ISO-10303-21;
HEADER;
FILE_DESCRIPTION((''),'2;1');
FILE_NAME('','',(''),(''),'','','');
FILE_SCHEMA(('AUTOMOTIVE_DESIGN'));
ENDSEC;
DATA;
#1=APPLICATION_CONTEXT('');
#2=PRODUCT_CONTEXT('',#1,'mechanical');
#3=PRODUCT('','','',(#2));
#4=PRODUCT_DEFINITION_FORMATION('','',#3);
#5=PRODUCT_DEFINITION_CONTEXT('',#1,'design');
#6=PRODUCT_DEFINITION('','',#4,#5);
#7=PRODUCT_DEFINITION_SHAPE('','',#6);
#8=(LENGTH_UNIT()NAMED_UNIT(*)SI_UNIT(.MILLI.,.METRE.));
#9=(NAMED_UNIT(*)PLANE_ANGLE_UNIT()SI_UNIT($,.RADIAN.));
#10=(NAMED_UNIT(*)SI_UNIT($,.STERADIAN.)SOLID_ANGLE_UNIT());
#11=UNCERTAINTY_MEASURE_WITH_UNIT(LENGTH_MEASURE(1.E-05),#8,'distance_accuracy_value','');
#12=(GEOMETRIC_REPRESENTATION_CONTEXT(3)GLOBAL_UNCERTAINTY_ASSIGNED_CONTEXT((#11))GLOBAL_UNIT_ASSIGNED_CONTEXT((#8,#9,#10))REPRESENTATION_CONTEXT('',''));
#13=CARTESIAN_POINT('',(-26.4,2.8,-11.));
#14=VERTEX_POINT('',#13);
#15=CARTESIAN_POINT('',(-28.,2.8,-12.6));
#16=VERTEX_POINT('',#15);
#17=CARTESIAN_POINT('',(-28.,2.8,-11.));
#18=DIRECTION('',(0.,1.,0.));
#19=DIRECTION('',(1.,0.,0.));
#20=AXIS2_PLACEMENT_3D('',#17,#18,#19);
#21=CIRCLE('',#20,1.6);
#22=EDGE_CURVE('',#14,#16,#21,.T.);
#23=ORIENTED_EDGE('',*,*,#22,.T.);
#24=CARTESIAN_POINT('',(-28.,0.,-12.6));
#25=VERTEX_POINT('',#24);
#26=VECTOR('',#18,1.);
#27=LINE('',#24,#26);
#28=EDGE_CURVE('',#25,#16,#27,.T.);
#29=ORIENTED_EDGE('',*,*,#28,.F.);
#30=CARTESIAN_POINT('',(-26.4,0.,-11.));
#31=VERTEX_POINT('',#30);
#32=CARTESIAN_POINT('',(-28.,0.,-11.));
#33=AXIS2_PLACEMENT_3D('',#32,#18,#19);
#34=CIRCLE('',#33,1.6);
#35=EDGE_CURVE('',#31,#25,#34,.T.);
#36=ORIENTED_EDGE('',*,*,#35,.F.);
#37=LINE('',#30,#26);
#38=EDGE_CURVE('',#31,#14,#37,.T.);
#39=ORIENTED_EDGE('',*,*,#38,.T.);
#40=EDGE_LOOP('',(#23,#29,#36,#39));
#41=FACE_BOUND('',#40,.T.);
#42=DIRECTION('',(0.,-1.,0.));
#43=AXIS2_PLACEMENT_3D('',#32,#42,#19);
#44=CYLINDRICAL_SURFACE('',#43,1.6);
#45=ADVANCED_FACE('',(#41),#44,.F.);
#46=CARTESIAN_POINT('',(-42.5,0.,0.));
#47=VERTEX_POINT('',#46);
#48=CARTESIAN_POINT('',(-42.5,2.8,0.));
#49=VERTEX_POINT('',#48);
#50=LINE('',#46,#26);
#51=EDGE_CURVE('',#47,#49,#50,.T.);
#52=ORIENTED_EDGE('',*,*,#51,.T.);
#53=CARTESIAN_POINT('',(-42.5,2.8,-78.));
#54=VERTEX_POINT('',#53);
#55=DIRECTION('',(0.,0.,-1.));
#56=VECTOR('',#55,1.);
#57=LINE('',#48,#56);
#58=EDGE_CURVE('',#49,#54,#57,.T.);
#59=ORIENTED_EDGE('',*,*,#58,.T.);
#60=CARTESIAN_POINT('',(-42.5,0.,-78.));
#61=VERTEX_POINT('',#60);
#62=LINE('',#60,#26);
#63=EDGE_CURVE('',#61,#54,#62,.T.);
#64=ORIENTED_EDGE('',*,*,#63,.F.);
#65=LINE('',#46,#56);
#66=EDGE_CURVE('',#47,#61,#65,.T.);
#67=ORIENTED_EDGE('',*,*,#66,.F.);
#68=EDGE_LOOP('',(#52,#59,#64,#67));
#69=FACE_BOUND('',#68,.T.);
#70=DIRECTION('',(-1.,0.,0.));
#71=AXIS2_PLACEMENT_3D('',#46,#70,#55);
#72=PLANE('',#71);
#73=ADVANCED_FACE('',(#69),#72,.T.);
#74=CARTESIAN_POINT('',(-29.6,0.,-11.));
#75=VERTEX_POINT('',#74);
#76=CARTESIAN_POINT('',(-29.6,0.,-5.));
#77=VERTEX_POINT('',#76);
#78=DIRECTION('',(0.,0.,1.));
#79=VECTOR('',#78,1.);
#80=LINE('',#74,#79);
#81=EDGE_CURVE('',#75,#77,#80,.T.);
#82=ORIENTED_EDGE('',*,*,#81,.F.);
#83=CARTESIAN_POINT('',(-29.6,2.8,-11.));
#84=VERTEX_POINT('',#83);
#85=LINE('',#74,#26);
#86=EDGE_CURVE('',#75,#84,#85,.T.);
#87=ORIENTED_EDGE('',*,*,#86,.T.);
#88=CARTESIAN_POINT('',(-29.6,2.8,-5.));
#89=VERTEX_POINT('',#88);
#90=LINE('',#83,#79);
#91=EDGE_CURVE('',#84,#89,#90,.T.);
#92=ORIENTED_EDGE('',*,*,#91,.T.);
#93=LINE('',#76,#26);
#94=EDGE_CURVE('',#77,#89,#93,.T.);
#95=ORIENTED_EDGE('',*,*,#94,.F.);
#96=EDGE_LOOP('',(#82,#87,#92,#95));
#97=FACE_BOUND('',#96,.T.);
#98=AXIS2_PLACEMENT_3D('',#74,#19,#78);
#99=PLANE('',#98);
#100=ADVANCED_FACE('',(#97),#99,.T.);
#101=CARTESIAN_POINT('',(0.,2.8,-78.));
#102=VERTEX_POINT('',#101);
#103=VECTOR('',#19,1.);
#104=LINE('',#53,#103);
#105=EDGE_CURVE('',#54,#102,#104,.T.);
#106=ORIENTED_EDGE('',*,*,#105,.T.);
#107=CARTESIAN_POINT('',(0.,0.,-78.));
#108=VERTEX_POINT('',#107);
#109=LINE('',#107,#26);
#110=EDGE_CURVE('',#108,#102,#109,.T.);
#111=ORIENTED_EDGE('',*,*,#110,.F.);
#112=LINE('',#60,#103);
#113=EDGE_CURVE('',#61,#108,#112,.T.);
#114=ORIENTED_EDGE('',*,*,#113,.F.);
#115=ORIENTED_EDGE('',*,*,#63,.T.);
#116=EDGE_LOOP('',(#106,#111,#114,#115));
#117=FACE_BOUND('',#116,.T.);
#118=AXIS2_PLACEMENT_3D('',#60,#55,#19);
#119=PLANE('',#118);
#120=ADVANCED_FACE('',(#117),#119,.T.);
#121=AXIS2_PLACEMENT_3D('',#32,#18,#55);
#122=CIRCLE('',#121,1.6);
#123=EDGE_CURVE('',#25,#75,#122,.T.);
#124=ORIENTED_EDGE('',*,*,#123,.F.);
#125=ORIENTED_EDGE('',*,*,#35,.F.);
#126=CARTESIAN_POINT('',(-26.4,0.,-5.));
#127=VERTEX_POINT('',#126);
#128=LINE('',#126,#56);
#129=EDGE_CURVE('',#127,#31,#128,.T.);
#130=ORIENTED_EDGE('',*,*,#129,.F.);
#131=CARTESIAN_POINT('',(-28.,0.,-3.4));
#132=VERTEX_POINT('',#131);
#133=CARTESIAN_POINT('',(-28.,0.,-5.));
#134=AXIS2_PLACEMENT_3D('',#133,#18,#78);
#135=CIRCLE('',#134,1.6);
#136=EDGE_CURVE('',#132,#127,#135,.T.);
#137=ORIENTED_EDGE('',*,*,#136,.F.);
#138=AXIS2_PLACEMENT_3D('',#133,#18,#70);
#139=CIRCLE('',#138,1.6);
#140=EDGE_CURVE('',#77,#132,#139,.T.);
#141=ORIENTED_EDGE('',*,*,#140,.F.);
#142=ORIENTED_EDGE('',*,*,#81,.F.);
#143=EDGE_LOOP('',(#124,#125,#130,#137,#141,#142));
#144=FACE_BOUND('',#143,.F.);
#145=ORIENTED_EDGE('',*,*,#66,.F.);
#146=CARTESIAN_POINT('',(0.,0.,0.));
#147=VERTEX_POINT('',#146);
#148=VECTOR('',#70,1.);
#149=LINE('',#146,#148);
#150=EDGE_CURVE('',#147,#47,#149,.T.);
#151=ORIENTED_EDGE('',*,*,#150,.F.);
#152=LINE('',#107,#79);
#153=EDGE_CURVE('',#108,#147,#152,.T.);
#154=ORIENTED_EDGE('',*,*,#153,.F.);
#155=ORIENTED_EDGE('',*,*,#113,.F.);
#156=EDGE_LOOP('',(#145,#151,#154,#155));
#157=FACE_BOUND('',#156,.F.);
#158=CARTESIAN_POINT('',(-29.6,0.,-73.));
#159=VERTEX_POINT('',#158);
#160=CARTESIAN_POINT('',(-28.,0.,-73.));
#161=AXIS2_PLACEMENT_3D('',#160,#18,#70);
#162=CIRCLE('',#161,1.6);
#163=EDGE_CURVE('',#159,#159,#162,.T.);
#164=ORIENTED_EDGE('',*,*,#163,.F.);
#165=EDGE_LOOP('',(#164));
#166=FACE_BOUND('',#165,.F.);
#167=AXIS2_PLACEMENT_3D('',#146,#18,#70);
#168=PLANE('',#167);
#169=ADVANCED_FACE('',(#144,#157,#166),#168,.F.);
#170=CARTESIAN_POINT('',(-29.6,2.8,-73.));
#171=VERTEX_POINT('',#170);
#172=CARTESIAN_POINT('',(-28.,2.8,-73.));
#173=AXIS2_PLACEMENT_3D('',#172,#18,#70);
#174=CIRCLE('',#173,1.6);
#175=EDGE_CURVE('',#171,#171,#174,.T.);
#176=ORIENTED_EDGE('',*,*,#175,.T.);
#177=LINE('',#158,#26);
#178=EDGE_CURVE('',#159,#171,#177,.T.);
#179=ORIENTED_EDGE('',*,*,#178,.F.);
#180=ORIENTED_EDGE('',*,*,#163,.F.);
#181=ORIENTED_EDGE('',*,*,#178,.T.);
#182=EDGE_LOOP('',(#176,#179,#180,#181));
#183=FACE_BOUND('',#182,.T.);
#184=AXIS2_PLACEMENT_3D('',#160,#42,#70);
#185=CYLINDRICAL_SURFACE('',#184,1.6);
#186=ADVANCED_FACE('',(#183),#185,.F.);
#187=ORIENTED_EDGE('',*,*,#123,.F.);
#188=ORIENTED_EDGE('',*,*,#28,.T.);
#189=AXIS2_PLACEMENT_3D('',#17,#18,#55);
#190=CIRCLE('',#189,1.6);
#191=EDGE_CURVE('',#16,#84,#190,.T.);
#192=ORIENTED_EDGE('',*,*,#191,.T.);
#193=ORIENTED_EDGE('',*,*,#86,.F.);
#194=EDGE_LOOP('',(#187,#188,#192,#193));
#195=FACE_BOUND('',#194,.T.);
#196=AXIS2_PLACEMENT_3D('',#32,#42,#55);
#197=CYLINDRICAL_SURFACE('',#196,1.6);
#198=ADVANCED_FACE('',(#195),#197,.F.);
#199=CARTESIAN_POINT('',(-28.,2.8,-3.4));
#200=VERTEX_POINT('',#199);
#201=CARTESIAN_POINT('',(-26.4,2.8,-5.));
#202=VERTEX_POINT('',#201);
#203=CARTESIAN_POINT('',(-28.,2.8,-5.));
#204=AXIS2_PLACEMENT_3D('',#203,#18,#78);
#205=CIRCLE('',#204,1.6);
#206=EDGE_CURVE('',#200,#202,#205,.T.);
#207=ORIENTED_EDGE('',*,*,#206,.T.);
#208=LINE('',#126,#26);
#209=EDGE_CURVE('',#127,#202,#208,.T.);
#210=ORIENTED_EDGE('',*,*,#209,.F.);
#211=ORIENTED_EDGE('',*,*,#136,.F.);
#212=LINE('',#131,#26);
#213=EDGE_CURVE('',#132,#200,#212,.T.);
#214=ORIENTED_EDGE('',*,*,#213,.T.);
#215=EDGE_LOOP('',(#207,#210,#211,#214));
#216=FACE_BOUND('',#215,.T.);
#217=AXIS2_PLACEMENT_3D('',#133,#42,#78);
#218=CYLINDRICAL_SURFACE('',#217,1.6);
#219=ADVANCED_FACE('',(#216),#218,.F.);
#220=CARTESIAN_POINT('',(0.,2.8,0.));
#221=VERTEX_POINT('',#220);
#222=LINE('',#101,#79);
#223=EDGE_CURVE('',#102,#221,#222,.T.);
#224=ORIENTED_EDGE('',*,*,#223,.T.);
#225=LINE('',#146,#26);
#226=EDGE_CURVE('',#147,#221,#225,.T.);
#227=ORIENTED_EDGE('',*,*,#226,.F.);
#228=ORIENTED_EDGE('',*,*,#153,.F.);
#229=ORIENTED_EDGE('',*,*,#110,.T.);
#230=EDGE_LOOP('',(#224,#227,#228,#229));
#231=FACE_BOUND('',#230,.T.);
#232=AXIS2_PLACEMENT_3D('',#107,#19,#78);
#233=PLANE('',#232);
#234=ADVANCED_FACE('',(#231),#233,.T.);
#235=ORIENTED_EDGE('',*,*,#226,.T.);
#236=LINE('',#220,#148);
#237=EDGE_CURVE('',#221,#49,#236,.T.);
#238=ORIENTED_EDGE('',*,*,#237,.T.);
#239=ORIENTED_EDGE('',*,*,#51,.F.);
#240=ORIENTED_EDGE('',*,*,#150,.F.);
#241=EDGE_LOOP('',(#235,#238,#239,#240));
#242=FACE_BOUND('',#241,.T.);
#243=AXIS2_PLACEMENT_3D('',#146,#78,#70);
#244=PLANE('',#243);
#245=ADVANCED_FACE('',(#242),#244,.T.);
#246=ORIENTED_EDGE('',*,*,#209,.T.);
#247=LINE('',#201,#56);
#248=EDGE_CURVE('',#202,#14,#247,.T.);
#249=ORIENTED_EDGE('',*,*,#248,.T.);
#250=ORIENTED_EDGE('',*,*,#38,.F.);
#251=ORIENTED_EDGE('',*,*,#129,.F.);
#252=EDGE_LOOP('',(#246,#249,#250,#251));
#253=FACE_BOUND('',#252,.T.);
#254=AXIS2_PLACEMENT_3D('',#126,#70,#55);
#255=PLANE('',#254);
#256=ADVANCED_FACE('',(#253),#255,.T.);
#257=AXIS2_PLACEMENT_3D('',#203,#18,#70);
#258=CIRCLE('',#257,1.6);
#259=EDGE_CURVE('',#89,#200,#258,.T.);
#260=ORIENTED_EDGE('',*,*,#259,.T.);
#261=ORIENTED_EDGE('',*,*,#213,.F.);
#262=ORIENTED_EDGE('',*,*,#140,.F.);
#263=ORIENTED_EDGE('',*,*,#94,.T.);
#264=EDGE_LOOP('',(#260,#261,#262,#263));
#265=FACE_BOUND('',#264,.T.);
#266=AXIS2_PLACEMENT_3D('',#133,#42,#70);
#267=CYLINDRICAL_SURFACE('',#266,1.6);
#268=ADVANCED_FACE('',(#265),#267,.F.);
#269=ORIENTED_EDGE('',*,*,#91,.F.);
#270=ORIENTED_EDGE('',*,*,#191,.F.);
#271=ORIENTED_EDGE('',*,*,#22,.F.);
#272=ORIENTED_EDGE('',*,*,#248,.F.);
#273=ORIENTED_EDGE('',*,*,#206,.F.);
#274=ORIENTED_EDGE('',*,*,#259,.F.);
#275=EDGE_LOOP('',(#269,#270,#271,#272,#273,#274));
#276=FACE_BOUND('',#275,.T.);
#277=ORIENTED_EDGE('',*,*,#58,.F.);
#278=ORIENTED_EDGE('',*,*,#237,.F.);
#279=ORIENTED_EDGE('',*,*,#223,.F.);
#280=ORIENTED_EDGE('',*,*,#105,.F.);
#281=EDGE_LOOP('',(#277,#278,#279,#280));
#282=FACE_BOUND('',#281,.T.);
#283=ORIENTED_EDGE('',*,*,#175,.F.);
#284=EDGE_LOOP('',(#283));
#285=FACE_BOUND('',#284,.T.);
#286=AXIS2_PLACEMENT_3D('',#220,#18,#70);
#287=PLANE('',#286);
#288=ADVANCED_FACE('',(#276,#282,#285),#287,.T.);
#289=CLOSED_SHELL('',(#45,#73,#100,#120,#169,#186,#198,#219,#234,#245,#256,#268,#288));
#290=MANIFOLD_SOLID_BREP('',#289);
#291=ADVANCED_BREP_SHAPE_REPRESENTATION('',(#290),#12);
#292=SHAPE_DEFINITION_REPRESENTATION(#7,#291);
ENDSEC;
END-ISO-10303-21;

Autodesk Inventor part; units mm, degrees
ref_plane "YZ Plane" through (0, 0, 0) normal (1, 0, 0) x (0, 1, 0)
ref_plane "XZ Plane" through (0, 0, 0) normal (0, 1, 0) x (-1, 0, 0)
ref_plane "XY Plane" through (0, 0, 0) normal (0, 0, 1) x (1, 0, 0)
sketch "Sketch1" plane through (0, 0, 0) normal (0, 1, 0) x (-1, 0, 0)
  line L0 (0, 0) -> (42.5, 0)
  line L1 (42.5, 0) -> (42.5, -78)
  line L2 (42.5, -78) -> (0, -78)
  line L3 (0, -78) -> (0, 0)
  circle A0 centre (28, -73) radius 1.6
  line L4 (28, -3.4) -> (28, -3.4)
  line L5 (26.4, -5) -> (26.4, -11)
  line L6 (28, -12.6) -> (28, -12.6)
  line L7 (29.6, -11) -> (29.6, -5)
  arc A1 (28, -12.6) -> (29.6, -11) centre (28, -11) ccw
  arc A2 (26.4, -11) -> (28, -12.6) centre (28, -11) ccw
  arc A3 (28, -3.4) -> (26.4, -5) centre (28, -5) ccw
  arc A4 (29.6, -5) -> (28, -3.4) centre (28, -5) ccw
  point P0 (26.4, -12.6)
  point P1 (26.4, -3.4)
  point P2 (29.6, -12.6)
  point P3 (29.6, -8)
  point P4 (28, -3.4)
  point P5 (28, -12.6)
  dimension "d0" = 42.5
  dimension "d1" = 78
  dimension "d5" = 3.2
  dimension "d6" = 14.5
  dimension "d7" = 5
  dimension "d10" = 3.2
  dimension "d11" = 9.2
  dimension "d12" = 8
  dimension "d13" = 1.6
  dimension "d14" = 14.5
extrude "Extrusion1" add sketch "Sketch1" along normal blind 2.8
properties part number "TapaBatería"
